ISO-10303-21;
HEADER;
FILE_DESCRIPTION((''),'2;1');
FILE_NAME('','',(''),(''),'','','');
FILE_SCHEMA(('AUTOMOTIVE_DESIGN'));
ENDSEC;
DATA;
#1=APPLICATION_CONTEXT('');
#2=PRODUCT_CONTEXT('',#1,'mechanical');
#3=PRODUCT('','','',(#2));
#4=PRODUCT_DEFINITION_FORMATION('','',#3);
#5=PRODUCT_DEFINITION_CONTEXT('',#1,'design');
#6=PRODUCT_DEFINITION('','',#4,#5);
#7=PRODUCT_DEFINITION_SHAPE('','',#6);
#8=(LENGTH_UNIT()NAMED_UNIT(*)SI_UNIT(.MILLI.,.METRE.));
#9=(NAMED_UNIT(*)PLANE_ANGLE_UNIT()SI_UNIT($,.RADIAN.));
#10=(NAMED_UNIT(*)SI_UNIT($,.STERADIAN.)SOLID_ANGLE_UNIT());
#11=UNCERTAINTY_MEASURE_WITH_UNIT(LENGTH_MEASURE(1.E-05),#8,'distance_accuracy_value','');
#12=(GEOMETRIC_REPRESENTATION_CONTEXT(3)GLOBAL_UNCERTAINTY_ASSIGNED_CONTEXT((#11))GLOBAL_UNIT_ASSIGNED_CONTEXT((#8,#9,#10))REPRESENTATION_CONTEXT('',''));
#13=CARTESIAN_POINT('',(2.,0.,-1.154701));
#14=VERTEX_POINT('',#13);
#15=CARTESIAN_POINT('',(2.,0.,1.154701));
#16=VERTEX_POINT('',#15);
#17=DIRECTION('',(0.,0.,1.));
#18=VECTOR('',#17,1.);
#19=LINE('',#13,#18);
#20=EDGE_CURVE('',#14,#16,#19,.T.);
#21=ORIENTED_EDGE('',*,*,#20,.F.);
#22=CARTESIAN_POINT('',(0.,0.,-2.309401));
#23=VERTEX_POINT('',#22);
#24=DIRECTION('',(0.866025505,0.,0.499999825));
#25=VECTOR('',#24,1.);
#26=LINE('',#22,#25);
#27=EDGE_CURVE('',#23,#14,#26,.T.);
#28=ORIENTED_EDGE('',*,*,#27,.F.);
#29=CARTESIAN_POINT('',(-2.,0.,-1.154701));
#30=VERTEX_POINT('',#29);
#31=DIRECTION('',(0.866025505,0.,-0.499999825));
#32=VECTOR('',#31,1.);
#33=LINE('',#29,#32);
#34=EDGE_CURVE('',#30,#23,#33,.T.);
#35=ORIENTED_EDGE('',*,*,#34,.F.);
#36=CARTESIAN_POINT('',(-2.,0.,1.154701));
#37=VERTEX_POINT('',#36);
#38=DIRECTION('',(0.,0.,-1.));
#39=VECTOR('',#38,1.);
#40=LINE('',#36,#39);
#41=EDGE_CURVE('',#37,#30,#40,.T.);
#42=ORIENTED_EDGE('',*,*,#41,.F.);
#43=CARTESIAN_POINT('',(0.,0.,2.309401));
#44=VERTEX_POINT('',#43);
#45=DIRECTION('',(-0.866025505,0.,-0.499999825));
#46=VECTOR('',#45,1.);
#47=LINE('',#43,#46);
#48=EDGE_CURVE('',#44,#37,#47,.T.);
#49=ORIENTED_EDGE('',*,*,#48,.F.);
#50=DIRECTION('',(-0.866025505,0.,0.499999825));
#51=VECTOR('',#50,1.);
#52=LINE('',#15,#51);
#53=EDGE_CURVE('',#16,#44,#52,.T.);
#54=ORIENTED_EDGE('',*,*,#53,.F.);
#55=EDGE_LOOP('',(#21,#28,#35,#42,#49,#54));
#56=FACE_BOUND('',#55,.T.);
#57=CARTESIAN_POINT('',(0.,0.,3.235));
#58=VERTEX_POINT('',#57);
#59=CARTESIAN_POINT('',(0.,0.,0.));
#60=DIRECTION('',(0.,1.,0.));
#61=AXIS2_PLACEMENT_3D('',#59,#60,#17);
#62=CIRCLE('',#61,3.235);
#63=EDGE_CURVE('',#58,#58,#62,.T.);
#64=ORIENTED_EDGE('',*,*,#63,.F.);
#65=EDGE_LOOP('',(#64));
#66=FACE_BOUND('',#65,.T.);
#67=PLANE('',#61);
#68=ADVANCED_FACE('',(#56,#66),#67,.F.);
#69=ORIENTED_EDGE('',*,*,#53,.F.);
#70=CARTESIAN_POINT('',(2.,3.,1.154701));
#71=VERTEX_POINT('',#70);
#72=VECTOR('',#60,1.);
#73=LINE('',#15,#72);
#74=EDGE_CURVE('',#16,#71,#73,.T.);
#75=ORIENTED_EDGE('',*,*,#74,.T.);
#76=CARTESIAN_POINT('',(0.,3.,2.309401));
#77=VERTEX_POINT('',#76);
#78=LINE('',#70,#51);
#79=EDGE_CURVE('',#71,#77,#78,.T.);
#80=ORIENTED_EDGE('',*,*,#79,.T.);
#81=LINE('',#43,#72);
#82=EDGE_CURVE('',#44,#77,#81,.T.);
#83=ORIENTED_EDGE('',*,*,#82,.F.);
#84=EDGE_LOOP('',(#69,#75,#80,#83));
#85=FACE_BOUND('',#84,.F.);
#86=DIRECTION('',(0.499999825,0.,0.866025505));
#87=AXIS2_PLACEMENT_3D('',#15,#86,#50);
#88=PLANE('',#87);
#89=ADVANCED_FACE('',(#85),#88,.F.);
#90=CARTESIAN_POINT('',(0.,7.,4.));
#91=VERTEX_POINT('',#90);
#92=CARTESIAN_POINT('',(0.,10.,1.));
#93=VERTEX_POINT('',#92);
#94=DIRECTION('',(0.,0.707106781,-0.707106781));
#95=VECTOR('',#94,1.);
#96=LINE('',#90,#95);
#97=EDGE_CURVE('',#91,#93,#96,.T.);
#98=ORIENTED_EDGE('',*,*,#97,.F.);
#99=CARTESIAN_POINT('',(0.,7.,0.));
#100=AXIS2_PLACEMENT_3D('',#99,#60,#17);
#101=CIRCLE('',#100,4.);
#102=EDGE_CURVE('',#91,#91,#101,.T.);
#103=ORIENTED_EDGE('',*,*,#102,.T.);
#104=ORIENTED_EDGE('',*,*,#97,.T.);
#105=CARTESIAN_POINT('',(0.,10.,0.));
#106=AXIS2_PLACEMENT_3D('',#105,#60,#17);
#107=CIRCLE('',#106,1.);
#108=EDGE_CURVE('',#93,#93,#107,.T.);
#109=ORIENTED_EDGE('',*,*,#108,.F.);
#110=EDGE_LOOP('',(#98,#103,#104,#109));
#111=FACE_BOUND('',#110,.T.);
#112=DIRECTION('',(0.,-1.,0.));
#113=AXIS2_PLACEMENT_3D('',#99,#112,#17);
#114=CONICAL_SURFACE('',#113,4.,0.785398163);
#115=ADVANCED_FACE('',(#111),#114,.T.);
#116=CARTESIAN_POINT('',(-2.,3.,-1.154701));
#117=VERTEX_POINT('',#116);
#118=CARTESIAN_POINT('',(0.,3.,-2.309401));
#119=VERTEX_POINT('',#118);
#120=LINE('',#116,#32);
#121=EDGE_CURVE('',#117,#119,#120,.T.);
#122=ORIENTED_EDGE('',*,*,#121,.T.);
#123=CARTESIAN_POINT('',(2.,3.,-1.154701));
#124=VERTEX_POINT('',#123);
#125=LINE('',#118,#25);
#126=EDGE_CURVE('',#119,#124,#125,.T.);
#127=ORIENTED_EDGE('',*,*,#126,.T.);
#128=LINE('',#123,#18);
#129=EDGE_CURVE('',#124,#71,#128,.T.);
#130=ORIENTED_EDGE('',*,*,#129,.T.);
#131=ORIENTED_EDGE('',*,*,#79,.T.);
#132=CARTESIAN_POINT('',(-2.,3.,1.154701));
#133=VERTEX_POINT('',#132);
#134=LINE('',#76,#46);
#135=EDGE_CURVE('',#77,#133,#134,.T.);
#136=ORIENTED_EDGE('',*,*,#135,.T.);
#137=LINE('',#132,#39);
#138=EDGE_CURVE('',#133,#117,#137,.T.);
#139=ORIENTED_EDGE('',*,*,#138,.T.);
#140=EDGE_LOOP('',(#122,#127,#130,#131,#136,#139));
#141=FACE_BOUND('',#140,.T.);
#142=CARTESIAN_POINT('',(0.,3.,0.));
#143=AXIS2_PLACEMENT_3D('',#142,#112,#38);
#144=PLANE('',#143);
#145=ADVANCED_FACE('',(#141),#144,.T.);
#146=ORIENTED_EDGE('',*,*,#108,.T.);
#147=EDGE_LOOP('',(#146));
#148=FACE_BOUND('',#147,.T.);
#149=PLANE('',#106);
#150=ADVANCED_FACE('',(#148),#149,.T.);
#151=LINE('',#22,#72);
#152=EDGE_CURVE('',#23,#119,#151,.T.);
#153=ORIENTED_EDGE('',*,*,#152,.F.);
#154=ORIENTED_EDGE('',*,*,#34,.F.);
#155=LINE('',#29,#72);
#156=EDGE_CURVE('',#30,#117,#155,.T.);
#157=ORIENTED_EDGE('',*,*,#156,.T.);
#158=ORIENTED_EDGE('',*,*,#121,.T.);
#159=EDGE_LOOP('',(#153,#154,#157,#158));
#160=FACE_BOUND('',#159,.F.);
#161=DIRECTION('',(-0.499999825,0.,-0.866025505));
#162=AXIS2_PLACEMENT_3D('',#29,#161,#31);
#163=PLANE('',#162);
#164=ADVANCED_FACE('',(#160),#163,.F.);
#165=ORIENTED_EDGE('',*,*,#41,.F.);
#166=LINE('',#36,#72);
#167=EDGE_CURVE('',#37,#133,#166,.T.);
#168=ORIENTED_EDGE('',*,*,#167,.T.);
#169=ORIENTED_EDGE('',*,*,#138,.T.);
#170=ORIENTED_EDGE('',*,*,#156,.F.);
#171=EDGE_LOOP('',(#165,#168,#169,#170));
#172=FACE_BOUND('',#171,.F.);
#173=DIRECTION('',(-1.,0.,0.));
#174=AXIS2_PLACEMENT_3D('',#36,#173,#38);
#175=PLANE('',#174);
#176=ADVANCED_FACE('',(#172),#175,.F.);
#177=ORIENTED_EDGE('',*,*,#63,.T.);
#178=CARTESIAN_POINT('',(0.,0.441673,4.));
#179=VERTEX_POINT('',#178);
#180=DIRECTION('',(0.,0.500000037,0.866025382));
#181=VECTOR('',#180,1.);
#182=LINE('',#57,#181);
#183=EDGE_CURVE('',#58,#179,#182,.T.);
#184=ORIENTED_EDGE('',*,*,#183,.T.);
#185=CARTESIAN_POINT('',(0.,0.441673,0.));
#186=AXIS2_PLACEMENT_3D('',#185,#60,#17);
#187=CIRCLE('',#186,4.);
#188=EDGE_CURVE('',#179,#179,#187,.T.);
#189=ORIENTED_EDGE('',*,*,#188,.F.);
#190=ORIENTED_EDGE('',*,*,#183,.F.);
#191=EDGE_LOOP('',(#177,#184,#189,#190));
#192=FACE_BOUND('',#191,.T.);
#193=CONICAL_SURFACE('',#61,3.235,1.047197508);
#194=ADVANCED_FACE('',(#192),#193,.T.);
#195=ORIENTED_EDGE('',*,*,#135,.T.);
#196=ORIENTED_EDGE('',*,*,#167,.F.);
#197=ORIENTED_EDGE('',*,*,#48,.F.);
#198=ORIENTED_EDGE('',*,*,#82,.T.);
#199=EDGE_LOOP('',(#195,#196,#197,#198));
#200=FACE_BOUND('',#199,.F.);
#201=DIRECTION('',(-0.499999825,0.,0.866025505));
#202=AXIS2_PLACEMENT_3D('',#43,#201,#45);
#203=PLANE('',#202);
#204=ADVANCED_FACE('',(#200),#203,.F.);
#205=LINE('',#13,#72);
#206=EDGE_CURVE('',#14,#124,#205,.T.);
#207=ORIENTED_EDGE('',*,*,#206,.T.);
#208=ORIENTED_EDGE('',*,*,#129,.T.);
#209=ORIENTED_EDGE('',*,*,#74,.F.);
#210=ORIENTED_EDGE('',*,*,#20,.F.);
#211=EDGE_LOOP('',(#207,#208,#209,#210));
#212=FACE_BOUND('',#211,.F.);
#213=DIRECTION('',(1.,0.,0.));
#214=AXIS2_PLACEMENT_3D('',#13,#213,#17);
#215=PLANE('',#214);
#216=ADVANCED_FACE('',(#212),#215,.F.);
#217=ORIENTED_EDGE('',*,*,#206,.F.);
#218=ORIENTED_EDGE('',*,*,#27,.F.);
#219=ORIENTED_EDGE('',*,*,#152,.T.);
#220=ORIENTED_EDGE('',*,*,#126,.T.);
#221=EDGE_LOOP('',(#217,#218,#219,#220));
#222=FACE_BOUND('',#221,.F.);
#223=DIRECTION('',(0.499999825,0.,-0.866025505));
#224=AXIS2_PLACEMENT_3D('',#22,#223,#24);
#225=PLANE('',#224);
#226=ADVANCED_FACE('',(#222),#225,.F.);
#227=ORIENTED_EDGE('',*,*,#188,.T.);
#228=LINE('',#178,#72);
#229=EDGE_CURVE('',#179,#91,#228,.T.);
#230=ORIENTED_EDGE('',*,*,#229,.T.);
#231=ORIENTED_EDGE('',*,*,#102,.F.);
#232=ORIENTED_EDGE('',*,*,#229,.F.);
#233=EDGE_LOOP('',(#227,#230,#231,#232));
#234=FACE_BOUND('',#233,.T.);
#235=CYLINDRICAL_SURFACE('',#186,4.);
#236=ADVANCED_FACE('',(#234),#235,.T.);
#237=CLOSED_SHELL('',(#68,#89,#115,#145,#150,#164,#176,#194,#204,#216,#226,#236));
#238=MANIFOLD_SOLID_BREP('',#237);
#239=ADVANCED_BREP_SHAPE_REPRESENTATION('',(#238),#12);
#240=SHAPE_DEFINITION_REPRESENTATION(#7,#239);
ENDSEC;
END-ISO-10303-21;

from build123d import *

# Parameters (mm, degrees)
POCKET_DEPTH = 3


with BuildPart() as part:
    # Sketch → Revolution (revolve)
    with BuildSketch(Plane.YZ):
        Polygon((0, 0), (0, 3.235), (0.441673, 4), (7, 4), (10, 1), (10, 0), align=None)
    revolve(axis=Axis((0, 0, 0), (0, 1, 0)))

    # Sketch001 → Pocket (cut)
    with BuildSketch(Plane(origin=(0, 0, 0), x_dir=(0, 0, -1), z_dir=(0, -1, 0))):
        Polygon((-1.154701, -2), (1.154701, -2), (2.309401, 0), (1.154701, 2), (-1.154701, 2), (-2.309401, 0), align=None)
    extrude(amount=-POCKET_DEPTH, mode=Mode.SUBTRACT)


solid = part.part
